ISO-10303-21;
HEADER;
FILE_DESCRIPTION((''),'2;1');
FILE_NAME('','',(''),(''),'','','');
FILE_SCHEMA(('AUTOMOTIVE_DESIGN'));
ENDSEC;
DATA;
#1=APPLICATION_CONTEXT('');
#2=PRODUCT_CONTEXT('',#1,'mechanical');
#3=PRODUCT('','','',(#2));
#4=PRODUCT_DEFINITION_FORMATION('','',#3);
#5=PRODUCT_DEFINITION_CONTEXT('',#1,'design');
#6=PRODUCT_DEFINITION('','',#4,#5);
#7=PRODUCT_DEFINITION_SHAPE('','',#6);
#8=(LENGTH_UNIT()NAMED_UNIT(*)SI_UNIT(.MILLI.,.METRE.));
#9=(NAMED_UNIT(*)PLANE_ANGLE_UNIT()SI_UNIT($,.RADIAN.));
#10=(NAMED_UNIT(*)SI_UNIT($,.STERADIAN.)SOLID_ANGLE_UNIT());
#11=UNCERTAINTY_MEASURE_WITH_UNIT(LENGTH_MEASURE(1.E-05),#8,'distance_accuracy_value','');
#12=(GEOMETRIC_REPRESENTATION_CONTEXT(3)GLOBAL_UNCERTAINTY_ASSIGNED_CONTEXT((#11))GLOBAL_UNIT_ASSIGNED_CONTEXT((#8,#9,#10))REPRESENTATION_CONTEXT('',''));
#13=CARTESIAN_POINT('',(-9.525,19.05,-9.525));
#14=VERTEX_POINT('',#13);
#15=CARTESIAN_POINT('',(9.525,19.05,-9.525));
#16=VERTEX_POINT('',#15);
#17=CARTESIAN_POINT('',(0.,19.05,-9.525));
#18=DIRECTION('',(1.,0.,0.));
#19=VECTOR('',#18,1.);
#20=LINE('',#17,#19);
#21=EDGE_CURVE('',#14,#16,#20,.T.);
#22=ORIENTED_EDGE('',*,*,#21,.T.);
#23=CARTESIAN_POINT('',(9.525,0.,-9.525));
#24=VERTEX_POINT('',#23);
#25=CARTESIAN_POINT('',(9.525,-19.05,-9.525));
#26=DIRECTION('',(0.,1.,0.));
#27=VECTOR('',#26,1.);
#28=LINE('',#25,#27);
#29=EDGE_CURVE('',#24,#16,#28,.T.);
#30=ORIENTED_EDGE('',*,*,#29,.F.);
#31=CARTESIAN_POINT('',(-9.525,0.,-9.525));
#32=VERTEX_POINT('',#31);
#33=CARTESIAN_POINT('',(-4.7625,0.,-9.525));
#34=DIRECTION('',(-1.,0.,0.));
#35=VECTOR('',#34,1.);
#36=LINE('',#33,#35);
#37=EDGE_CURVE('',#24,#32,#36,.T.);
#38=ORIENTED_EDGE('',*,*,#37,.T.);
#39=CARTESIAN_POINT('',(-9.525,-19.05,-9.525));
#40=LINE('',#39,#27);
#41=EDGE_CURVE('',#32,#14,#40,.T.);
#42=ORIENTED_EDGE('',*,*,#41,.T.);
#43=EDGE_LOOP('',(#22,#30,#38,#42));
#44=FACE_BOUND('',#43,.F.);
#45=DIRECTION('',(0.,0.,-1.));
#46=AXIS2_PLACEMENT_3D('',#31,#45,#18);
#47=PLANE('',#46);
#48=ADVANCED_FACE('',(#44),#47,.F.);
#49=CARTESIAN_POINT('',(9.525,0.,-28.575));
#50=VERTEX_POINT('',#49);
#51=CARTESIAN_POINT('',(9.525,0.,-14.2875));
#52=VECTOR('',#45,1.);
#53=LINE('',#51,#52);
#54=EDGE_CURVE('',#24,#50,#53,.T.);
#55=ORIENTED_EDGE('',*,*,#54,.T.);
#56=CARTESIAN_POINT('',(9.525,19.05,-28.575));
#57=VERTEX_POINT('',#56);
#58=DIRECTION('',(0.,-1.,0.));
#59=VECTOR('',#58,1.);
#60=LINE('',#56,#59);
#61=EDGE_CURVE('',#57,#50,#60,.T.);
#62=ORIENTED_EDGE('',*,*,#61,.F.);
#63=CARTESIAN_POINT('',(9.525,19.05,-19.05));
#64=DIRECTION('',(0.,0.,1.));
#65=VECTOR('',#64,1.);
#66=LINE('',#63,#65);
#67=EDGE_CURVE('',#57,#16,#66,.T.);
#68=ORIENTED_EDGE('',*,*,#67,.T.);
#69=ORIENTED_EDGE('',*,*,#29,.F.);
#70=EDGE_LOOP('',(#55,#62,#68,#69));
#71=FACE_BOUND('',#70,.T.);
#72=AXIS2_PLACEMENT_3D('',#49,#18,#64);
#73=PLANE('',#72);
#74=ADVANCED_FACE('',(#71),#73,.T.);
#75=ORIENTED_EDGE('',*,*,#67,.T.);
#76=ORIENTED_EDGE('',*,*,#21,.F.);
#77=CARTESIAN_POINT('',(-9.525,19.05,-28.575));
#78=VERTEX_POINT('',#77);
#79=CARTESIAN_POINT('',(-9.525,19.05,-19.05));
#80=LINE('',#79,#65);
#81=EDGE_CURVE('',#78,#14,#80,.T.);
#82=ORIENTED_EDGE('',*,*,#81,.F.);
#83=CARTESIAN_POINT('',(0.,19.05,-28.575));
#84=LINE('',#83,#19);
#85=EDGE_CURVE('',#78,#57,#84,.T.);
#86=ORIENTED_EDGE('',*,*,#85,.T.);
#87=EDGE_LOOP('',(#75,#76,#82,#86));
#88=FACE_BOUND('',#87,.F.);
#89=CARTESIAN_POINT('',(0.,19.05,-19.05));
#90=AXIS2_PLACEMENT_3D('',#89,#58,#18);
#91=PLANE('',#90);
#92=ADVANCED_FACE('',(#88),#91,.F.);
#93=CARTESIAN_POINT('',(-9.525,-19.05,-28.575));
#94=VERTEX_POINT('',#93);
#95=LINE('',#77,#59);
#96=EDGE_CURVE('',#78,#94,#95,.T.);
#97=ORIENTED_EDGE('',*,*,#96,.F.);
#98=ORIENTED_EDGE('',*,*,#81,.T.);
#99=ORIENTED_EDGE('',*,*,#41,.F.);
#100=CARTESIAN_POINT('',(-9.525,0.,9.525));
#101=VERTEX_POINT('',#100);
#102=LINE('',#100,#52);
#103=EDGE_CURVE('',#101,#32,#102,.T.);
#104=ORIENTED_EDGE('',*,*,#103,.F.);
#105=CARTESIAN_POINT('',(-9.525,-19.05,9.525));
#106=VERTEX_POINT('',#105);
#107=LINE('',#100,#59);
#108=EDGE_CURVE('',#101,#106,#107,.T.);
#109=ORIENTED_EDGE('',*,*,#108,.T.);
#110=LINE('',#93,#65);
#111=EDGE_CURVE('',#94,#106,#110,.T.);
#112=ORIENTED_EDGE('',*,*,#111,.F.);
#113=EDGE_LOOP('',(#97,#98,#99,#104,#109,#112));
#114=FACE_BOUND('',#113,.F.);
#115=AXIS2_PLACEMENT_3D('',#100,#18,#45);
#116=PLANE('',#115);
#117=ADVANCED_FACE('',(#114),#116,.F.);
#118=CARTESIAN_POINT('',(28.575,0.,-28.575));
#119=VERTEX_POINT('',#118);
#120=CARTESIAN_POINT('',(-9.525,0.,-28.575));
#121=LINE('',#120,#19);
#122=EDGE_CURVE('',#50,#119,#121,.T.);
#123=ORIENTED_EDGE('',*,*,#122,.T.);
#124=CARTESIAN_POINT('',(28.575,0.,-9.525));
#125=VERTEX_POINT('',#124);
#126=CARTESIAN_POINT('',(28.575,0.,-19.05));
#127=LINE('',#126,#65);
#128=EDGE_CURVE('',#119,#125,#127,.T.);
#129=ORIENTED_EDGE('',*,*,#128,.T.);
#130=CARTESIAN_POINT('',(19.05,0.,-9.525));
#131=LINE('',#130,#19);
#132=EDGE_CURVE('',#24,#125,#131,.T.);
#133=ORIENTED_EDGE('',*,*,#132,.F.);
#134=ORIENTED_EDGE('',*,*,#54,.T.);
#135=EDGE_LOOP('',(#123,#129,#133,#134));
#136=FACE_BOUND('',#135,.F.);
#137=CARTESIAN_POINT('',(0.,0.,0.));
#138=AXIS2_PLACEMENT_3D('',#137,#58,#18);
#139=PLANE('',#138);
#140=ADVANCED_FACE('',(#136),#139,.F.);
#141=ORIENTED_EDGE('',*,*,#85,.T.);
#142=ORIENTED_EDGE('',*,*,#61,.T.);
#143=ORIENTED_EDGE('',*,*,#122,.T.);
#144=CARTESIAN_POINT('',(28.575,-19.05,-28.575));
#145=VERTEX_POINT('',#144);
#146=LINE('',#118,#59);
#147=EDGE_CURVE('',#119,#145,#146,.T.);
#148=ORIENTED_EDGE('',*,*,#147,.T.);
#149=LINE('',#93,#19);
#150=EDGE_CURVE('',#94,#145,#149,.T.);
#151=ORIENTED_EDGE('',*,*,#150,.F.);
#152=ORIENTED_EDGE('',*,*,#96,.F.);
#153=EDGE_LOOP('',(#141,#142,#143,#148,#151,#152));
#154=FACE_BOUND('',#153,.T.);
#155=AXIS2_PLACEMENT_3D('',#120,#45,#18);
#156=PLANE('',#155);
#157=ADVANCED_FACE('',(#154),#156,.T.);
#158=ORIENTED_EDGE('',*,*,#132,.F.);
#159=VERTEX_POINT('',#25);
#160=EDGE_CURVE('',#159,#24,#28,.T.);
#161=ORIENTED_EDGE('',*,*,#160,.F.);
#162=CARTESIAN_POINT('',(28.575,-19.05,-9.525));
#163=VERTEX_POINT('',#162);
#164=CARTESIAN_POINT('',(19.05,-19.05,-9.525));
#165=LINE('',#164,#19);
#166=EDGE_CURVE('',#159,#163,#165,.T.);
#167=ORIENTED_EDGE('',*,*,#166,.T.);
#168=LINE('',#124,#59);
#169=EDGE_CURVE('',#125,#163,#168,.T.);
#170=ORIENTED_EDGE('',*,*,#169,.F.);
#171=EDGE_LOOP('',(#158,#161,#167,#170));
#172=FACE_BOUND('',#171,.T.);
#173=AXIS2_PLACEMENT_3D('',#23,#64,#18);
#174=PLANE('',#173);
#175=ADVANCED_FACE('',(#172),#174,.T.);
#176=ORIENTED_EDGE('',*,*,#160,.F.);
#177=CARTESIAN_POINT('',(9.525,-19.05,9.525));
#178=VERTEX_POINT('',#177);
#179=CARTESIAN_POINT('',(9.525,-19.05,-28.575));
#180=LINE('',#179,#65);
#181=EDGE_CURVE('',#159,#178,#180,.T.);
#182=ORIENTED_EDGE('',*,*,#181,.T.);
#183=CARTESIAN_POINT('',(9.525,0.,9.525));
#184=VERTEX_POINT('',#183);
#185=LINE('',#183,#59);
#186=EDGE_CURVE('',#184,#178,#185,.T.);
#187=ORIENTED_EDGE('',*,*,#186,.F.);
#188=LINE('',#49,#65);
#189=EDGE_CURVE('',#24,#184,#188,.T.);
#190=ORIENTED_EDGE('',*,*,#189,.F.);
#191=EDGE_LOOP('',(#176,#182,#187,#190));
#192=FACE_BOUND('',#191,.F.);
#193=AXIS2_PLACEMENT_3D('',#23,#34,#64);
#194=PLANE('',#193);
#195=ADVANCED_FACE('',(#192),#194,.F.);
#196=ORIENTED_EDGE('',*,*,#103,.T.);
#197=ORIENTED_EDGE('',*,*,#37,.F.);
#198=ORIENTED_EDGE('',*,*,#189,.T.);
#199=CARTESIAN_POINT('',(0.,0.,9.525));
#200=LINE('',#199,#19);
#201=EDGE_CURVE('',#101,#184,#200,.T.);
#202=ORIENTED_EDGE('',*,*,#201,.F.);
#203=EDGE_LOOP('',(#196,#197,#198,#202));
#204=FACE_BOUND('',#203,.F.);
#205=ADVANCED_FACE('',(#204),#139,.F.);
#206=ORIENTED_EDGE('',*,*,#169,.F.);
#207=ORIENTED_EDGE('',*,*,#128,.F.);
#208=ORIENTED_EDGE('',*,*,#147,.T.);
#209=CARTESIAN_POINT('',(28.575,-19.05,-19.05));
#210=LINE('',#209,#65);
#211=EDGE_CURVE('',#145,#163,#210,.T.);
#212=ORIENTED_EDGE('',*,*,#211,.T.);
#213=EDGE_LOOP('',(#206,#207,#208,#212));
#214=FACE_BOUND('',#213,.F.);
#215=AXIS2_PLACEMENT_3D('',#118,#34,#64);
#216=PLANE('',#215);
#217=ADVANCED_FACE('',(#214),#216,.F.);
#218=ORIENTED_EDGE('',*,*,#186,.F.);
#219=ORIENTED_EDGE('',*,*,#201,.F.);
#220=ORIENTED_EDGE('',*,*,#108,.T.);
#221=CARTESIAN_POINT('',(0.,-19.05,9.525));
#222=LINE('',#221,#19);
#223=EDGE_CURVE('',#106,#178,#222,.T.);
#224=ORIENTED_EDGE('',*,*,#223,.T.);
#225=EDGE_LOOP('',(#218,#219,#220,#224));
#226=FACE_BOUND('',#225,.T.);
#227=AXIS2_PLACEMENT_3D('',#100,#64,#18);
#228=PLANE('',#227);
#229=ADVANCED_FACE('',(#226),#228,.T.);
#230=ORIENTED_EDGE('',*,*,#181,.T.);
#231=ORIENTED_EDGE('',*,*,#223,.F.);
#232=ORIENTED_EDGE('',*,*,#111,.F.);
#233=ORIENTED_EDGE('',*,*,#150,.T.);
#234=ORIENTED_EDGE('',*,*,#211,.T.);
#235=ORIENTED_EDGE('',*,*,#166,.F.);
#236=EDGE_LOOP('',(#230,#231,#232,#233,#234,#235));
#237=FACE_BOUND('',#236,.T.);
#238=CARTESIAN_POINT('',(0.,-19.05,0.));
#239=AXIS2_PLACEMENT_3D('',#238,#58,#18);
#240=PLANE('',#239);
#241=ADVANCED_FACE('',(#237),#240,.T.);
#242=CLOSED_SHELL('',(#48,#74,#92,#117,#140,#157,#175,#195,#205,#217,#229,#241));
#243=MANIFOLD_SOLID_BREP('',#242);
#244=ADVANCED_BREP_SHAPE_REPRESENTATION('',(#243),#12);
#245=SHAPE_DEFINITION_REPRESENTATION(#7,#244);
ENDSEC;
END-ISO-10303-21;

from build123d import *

# Parameters (mm, degrees)
F0_W     = 19.05
F0_H     = 19.05
F1_DEPTH = 19.05
F2_DEPTH = 19.05


with BuildPart() as f1:
    # F0 (on Front) → F1 (new body, symmetric)
    with BuildSketch(Plane.XZ):
        with Locations((0, -19.05)):
            Rectangle(F0_W, F0_H)
    extrude(amount=F1_DEPTH, both=True)

    # F0 (on Front) → F2 (join)
    with BuildSketch(Plane.XZ):
        Rectangle(F0_W, F0_H)
        with Locations((0, -19.05)):
            Rectangle(F0_W, F0_H)
        with Locations((19.05, -19.05)):
            Rectangle(F0_W, F0_H)
    extrude(amount=F2_DEPTH)


solid = f1.part
